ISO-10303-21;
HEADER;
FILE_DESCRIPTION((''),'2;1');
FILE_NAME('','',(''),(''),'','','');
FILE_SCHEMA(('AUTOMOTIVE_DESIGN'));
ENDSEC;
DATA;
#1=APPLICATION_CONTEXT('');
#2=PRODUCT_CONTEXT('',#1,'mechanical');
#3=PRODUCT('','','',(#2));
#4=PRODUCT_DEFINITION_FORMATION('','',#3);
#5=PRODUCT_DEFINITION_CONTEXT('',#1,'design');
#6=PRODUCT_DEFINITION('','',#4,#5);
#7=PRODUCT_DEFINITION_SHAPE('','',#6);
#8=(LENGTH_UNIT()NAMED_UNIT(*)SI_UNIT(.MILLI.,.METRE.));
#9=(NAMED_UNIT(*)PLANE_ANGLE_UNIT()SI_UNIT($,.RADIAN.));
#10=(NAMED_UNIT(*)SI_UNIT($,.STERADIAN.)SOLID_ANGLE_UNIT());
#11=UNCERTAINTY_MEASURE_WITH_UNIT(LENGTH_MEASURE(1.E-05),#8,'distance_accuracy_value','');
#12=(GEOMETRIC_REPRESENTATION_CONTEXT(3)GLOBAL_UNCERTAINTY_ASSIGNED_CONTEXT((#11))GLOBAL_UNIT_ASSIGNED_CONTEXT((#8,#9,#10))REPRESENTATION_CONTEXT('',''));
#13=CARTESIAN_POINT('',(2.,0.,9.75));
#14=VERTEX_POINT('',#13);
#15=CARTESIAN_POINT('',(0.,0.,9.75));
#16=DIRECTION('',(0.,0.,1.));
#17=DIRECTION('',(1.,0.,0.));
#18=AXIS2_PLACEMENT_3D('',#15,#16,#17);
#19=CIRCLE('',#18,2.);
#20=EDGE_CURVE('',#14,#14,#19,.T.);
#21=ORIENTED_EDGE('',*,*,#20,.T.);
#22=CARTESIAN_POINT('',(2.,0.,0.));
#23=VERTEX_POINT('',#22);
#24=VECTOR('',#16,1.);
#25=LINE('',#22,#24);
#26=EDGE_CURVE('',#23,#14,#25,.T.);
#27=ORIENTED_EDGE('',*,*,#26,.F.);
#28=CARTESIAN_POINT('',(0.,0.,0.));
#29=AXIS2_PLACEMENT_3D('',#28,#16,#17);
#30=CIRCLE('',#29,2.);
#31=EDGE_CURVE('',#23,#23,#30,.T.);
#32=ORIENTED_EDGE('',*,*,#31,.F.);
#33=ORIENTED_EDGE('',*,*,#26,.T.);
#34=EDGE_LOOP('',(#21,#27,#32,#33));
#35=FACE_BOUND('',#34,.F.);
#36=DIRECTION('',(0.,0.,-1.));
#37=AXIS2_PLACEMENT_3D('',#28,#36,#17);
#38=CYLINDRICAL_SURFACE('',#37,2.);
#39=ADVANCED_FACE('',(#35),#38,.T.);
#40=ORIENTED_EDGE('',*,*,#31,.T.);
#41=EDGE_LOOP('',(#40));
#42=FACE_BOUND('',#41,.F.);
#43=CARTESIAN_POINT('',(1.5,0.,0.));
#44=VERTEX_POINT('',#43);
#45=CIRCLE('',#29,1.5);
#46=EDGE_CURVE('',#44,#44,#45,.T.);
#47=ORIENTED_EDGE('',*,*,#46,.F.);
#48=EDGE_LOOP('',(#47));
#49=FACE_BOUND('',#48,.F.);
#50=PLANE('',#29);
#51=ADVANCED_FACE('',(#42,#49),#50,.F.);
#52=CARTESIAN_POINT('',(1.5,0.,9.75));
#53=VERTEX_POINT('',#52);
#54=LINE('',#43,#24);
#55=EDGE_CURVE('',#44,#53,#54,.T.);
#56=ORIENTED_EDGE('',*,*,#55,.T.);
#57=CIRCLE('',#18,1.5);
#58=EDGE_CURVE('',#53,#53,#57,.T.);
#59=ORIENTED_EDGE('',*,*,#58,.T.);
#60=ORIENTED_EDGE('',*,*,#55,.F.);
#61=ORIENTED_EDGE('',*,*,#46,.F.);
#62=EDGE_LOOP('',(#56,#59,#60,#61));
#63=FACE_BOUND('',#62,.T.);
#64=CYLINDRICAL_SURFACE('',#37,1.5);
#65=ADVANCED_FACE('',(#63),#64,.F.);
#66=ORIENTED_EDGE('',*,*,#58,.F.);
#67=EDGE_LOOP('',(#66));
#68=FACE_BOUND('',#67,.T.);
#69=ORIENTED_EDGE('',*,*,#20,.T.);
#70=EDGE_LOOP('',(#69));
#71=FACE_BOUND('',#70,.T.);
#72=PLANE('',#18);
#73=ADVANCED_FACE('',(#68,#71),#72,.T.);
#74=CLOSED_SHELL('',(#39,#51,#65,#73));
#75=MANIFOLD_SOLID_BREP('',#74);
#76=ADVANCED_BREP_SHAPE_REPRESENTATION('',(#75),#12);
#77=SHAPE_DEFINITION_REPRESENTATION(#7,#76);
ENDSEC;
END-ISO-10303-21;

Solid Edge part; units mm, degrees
sketch "Sketch1" plane through (0, 0, 0) normal (0, 0, 1) x (1, 0, 0)
  circle A0 centre (0, 0) radius 1.5
  circle A1 centre (0, 0) radius 2
  dimension "D1" = 4
  dimension "D2" = 3
extrude "Ajout_matière_1" add sketch "Sketch1" along normal blind 9.75
properties material "Acrylique, haute performance"
